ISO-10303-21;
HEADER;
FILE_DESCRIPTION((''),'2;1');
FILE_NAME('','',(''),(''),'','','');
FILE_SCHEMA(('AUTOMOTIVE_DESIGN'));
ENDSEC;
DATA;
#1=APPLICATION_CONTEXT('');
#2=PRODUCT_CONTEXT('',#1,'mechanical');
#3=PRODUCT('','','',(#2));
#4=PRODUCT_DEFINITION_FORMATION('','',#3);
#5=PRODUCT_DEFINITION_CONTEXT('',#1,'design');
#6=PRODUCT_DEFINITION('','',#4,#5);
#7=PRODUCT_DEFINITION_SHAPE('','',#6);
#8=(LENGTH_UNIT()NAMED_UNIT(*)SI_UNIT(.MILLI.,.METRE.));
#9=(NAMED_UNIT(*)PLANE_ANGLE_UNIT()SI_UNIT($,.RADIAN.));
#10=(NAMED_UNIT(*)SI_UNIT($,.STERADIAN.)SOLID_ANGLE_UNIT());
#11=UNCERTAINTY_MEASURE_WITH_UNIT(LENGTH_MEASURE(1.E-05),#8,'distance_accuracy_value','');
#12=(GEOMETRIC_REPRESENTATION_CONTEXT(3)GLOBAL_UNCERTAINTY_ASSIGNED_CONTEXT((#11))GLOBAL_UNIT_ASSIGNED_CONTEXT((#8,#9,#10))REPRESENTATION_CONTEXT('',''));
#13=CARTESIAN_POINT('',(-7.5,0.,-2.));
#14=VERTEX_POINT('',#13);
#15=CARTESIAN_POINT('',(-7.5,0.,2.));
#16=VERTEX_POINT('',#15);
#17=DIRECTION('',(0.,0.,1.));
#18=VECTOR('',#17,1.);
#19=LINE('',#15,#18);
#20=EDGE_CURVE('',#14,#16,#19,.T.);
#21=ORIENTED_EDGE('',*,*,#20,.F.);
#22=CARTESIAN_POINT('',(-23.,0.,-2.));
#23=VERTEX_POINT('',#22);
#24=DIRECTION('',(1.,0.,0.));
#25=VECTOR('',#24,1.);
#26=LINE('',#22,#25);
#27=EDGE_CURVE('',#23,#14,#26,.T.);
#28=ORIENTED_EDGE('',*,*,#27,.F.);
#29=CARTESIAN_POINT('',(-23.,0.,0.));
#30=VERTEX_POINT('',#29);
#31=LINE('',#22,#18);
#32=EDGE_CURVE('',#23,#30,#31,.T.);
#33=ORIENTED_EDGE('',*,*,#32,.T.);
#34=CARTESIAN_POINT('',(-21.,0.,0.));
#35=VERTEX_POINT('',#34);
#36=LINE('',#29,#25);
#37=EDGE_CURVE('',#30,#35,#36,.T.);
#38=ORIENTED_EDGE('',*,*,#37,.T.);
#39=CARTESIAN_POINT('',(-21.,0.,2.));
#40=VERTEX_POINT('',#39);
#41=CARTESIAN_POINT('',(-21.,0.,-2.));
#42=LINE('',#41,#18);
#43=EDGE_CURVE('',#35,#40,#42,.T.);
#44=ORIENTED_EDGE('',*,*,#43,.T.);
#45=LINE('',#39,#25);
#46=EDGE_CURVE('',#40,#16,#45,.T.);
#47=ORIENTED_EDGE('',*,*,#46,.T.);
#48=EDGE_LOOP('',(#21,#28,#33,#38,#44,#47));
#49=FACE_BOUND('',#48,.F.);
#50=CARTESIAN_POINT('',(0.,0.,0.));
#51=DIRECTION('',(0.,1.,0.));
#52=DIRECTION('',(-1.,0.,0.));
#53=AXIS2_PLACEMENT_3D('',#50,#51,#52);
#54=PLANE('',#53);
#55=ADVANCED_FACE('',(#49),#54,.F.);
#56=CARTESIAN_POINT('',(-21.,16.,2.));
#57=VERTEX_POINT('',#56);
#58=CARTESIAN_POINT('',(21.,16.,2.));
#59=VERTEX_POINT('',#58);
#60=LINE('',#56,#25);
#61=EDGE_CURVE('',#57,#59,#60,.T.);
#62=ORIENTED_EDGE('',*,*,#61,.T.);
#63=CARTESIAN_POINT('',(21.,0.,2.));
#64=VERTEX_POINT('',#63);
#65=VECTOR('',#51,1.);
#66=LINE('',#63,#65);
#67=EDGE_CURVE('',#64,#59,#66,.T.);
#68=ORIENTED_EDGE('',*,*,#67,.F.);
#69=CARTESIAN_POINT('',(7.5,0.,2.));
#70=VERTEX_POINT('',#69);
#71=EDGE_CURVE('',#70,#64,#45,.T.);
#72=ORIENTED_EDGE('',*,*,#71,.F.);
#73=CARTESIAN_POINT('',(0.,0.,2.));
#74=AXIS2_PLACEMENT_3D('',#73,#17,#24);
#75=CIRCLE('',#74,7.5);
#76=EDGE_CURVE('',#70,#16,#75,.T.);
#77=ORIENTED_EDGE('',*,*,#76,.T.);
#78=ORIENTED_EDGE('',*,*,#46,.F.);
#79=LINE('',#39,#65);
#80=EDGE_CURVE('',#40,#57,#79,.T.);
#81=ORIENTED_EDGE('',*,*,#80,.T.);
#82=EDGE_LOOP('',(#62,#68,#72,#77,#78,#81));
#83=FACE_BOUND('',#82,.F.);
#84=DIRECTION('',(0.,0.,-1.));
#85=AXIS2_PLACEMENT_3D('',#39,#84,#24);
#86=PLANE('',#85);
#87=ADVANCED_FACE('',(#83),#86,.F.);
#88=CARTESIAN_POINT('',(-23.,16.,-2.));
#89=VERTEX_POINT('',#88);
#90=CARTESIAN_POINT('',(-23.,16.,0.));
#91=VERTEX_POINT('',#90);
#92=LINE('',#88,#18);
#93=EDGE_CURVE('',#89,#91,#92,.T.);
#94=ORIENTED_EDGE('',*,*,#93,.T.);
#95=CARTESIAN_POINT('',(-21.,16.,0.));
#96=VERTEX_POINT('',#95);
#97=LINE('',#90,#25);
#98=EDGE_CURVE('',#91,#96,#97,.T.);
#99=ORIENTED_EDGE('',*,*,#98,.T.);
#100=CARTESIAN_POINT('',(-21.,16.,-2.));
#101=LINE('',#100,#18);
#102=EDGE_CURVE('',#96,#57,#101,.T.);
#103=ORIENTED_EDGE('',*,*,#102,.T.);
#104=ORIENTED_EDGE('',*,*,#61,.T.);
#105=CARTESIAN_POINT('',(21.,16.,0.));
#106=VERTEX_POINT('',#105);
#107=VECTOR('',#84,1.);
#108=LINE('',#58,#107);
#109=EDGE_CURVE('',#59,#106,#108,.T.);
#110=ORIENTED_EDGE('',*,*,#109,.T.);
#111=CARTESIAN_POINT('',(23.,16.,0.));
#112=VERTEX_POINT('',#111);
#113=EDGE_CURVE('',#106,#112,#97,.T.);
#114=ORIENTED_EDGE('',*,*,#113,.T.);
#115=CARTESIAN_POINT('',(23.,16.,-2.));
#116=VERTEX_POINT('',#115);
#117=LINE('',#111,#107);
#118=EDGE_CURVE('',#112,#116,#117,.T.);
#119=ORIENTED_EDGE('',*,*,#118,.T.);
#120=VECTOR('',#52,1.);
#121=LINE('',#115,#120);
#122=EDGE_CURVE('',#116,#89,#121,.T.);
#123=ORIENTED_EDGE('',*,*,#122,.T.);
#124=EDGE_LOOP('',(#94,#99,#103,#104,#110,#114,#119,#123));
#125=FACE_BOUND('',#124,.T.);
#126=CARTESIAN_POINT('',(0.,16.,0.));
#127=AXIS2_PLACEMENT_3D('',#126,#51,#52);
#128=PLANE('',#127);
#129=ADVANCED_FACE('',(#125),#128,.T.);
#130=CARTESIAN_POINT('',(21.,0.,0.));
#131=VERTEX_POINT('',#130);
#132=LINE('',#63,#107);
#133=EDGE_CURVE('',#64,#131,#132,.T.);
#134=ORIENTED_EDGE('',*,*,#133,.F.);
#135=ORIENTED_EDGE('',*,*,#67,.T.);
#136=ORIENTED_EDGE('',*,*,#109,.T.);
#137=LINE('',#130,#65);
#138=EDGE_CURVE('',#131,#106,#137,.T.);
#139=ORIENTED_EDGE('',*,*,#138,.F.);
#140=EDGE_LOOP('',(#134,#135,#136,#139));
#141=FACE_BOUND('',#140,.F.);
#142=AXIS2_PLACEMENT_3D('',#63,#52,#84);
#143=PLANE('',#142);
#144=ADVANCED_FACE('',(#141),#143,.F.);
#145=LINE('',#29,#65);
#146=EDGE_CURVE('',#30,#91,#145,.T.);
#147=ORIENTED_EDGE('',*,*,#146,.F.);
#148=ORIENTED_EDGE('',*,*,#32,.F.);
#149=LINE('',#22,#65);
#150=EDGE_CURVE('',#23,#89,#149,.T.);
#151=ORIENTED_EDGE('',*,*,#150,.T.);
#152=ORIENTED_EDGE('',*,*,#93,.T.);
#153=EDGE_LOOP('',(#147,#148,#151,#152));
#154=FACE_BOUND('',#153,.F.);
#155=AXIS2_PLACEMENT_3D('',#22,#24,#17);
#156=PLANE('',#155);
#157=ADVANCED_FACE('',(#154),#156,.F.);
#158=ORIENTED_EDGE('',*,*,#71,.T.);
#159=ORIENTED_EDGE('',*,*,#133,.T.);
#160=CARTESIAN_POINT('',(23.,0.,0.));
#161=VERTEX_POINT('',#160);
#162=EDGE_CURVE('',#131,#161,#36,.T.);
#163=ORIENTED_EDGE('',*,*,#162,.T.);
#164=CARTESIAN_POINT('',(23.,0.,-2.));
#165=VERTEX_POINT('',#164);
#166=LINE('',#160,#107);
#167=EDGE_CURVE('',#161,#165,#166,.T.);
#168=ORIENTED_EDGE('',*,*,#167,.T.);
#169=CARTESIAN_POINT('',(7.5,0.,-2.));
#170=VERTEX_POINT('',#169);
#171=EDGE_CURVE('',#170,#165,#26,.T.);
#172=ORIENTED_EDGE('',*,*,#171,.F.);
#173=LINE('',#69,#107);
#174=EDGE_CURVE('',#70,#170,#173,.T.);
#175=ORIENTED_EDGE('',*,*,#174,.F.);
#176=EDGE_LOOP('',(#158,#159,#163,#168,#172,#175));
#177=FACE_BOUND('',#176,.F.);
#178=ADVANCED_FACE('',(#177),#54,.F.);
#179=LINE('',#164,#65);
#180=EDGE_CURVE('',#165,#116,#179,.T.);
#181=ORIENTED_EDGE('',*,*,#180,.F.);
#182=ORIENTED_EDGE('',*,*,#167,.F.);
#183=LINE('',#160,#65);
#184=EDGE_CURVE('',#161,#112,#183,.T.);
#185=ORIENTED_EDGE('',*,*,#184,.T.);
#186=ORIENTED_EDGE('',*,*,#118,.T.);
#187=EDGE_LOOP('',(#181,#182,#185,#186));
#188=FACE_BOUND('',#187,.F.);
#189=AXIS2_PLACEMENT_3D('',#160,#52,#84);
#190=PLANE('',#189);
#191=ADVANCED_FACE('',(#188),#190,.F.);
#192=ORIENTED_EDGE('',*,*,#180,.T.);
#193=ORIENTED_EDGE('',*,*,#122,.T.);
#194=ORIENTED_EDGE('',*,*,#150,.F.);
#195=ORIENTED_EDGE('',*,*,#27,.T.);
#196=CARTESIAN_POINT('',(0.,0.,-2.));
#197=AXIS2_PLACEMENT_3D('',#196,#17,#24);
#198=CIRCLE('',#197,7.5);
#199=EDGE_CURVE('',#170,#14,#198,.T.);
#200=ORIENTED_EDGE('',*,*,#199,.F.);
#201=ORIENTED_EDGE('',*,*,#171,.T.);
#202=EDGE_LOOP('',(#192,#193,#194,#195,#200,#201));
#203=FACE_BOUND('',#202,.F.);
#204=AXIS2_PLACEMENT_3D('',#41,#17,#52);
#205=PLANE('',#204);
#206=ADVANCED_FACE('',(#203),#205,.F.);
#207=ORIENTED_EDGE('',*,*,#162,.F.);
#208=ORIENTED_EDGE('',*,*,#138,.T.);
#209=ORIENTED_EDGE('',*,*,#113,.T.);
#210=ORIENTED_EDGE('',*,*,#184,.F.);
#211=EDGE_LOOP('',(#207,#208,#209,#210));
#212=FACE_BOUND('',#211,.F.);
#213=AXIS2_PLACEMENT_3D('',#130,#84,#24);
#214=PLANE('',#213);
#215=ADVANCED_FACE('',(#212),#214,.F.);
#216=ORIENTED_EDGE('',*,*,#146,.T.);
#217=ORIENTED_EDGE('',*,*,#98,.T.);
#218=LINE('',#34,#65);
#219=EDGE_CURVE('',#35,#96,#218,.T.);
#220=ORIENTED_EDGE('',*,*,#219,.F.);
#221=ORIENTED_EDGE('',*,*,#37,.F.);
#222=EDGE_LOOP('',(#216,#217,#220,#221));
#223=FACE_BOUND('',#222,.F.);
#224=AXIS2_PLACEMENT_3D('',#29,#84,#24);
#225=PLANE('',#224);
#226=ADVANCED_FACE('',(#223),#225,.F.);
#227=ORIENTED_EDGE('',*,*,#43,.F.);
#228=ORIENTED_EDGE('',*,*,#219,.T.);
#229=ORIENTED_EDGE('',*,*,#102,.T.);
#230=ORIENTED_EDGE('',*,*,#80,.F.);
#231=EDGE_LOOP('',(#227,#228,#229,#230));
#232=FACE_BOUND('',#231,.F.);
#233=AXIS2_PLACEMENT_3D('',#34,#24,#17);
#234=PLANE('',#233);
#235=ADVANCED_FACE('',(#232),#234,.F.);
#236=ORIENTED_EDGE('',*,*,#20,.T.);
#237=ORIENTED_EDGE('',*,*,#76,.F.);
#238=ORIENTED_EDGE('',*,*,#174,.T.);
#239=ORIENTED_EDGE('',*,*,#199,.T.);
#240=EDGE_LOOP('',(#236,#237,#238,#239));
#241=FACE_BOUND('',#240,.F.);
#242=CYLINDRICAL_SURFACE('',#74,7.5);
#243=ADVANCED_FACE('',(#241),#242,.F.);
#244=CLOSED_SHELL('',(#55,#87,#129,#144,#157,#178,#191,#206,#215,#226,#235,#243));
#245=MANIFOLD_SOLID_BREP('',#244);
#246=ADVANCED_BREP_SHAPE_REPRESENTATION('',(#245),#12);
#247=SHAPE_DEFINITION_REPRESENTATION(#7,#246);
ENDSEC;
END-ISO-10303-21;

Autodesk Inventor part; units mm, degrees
ref_plane "YZ Plane" through (0, 0, 0) normal (1, 0, 0) x (0, 1, 0)
ref_plane "XZ Plane" through (0, 0, 0) normal (0, 1, 0) x (-1, 0, 0)
ref_plane "XY Plane" through (0, 0, 0) normal (0, 0, 1) x (1, 0, 0)
sketch "Sketch1" plane through (0, 0, 0) normal (0, 1, 0) x (-1, 0, 0)
  line L0 (21, 2) -> (-21, 2)
  line L1 (-21, 2) -> (-21, -2)
  line L2 (-21, -2) -> (21, -2)
  line L3 (21, -2) -> (21, 2)
  line L4 (23, 0) -> (-23, 0)
  line L5 (-23, 0) -> (-23, -2)
  line L6 (-23, -2) -> (23, -2)
  line L7 (23, -2) -> (23, 0)
  point P0 (0, 0)
  dimension "d0" = 42
  dimension "d1" = 4
  dimension "d2" = 21
  dimension "d3" = 2
  dimension "d4" = 2
  dimension "d5" = 46
  dimension "d6" = 2
  dimension "d7" = 2
extrude "Extrusion1" add sketch "Sketch1" along normal blind 16
sketch "Sketch2" plane through (-21, 0, 2) normal (0, 0, 1) x (1, 0, 0)
  circle A0 centre (21, 0) radius 7.5
  dimension "d10" = 15
extrude "Extrusion2" cut sketch "Sketch2" against normal up to next
equation "\"d2\" = 0.5 * d0"
equation "\"d3\" = 0.5 * d1"
properties part number "Lid"
